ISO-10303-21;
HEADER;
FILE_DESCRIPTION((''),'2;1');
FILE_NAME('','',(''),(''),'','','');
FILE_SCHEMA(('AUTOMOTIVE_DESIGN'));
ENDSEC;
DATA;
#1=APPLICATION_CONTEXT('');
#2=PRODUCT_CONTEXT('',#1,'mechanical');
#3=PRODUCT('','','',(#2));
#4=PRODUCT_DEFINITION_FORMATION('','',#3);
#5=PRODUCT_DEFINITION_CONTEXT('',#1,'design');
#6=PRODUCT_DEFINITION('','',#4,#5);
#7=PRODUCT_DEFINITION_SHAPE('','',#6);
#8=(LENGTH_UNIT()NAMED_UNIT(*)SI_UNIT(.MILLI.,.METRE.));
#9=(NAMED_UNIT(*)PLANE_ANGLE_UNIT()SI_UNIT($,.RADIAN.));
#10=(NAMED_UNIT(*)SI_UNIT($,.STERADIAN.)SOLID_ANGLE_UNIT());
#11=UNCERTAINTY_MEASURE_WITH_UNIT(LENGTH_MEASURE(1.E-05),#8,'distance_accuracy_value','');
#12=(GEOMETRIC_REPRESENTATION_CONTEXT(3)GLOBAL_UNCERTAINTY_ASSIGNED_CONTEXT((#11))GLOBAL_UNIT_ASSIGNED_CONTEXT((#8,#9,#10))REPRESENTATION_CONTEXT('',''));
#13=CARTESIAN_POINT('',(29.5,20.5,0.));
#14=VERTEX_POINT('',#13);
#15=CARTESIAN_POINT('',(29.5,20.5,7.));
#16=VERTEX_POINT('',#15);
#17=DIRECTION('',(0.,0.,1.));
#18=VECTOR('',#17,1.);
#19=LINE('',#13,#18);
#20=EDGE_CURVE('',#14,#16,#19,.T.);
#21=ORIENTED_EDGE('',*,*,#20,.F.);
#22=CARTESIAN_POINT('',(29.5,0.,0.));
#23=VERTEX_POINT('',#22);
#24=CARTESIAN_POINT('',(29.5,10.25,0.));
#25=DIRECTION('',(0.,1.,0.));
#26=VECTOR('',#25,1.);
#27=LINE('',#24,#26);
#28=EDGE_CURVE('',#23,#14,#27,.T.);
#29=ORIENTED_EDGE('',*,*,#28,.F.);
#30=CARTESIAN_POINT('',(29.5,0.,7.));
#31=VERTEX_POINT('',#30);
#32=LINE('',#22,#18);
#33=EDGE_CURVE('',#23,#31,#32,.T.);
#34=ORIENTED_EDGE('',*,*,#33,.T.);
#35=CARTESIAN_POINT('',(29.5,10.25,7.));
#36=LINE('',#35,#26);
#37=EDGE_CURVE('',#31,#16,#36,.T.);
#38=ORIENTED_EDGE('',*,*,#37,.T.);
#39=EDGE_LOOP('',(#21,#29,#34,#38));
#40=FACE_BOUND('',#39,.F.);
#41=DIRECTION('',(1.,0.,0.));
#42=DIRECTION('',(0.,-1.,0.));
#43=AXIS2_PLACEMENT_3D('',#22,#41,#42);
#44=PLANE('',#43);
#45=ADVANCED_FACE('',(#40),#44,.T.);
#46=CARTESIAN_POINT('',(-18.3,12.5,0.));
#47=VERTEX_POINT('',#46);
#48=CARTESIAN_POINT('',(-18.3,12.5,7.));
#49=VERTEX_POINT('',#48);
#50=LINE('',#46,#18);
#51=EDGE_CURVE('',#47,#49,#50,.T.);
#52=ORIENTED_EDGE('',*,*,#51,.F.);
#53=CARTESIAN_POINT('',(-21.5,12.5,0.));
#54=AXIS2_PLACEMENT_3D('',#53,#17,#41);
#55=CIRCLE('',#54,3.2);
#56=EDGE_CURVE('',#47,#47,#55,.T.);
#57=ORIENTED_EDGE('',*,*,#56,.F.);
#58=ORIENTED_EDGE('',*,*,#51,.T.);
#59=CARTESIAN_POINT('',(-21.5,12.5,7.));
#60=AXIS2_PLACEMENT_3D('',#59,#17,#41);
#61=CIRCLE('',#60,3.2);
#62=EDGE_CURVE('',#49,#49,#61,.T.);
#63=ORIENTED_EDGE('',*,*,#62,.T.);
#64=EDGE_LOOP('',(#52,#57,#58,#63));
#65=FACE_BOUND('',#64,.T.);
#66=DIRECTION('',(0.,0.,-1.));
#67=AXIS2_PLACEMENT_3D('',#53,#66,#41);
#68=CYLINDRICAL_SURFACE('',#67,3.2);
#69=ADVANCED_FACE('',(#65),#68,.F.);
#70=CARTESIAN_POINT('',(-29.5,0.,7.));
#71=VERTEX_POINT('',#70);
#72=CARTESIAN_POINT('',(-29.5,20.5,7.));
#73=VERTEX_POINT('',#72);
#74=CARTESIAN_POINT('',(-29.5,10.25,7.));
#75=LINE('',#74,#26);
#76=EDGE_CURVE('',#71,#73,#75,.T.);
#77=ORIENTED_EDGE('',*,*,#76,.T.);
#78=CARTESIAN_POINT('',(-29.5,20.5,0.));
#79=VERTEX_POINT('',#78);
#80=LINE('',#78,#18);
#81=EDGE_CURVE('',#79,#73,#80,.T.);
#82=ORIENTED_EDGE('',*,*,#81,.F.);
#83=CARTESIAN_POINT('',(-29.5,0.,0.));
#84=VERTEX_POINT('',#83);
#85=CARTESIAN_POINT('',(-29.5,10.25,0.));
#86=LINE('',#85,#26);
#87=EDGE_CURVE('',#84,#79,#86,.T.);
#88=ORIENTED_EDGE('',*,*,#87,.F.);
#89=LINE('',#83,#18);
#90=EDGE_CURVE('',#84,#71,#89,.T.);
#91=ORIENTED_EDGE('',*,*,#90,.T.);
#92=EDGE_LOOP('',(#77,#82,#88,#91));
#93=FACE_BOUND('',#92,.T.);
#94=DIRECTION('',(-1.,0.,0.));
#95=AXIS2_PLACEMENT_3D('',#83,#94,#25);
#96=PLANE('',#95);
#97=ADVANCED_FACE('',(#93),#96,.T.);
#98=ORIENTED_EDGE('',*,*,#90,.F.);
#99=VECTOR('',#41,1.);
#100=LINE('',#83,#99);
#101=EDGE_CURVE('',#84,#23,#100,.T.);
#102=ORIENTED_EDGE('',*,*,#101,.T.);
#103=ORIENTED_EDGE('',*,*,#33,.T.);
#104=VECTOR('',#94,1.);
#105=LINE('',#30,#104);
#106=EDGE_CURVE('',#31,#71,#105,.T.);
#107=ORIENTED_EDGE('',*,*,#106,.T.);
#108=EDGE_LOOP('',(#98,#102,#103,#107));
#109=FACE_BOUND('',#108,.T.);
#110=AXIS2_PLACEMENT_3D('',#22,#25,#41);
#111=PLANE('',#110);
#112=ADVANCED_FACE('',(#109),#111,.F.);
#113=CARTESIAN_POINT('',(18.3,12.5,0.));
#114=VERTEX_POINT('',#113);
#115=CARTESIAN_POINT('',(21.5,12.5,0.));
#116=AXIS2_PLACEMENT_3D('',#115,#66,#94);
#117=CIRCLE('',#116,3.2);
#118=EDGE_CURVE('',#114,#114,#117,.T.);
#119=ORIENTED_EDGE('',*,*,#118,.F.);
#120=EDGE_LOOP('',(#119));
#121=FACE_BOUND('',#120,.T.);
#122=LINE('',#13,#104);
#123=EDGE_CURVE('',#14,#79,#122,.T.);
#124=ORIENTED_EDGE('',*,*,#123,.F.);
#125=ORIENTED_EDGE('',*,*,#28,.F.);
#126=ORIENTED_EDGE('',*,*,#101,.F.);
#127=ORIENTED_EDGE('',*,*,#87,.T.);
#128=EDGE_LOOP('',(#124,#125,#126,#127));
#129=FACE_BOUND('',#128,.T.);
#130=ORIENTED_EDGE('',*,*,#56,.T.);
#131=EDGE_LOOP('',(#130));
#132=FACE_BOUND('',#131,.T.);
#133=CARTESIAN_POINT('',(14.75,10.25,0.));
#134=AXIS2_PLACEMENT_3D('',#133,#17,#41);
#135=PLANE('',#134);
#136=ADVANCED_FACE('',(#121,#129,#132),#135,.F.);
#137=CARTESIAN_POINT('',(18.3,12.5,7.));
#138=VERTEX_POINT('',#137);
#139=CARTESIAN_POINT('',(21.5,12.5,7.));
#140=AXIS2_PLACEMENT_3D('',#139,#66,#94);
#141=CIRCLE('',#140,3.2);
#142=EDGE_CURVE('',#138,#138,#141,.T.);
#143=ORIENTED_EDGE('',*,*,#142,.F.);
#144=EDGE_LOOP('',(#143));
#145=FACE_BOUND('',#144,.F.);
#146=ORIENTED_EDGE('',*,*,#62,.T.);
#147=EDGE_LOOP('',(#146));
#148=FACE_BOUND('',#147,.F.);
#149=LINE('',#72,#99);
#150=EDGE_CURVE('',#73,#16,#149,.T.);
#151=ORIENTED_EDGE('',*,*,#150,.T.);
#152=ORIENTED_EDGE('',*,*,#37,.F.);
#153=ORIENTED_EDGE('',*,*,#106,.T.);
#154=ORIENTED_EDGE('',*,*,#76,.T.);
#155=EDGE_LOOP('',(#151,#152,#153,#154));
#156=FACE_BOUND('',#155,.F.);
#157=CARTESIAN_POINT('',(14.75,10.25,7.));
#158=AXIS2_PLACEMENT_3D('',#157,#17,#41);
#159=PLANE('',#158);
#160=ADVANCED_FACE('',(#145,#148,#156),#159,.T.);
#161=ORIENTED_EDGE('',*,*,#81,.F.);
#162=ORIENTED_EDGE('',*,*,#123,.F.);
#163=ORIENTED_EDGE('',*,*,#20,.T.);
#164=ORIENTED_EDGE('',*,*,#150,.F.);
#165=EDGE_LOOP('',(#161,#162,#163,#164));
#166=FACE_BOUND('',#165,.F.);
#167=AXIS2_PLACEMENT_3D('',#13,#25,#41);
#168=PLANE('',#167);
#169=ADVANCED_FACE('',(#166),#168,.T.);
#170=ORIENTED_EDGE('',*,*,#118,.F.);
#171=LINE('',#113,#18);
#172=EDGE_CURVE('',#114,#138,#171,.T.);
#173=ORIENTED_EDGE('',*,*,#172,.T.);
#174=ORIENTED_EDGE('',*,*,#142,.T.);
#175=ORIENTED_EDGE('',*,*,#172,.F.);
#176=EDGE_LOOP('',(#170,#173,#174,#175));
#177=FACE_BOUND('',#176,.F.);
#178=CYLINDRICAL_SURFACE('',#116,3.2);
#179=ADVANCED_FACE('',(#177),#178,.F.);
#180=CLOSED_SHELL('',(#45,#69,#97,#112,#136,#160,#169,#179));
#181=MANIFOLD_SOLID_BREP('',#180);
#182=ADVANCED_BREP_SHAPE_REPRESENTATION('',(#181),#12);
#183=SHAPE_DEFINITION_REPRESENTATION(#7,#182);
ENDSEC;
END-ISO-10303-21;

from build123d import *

# Parameters (mm, degrees)
SKETCH_W  = 29.5
SKETCH_H  = 20.5
SKETCH_R  = 3.2
PAD_DEPTH = 7


with BuildPart() as part:
    # Sketch → Pad (new body)
    with BuildSketch(Plane.XY):
        with Locations((-14.75, 10.25)):
            Rectangle(SKETCH_W, SKETCH_H)
        with Locations((-21.5, 12.5)):
            Circle(SKETCH_R, mode=Mode.SUBTRACT)
    pad = extrude(amount=PAD_DEPTH)

    # Mirrored: Pad across Sketch V_Axis
    add(pad.mirror(Plane(origin=(0, 0, 0), x_dir=(0, 0, 1), z_dir=(1, 0, 0))))


solid = part.part
